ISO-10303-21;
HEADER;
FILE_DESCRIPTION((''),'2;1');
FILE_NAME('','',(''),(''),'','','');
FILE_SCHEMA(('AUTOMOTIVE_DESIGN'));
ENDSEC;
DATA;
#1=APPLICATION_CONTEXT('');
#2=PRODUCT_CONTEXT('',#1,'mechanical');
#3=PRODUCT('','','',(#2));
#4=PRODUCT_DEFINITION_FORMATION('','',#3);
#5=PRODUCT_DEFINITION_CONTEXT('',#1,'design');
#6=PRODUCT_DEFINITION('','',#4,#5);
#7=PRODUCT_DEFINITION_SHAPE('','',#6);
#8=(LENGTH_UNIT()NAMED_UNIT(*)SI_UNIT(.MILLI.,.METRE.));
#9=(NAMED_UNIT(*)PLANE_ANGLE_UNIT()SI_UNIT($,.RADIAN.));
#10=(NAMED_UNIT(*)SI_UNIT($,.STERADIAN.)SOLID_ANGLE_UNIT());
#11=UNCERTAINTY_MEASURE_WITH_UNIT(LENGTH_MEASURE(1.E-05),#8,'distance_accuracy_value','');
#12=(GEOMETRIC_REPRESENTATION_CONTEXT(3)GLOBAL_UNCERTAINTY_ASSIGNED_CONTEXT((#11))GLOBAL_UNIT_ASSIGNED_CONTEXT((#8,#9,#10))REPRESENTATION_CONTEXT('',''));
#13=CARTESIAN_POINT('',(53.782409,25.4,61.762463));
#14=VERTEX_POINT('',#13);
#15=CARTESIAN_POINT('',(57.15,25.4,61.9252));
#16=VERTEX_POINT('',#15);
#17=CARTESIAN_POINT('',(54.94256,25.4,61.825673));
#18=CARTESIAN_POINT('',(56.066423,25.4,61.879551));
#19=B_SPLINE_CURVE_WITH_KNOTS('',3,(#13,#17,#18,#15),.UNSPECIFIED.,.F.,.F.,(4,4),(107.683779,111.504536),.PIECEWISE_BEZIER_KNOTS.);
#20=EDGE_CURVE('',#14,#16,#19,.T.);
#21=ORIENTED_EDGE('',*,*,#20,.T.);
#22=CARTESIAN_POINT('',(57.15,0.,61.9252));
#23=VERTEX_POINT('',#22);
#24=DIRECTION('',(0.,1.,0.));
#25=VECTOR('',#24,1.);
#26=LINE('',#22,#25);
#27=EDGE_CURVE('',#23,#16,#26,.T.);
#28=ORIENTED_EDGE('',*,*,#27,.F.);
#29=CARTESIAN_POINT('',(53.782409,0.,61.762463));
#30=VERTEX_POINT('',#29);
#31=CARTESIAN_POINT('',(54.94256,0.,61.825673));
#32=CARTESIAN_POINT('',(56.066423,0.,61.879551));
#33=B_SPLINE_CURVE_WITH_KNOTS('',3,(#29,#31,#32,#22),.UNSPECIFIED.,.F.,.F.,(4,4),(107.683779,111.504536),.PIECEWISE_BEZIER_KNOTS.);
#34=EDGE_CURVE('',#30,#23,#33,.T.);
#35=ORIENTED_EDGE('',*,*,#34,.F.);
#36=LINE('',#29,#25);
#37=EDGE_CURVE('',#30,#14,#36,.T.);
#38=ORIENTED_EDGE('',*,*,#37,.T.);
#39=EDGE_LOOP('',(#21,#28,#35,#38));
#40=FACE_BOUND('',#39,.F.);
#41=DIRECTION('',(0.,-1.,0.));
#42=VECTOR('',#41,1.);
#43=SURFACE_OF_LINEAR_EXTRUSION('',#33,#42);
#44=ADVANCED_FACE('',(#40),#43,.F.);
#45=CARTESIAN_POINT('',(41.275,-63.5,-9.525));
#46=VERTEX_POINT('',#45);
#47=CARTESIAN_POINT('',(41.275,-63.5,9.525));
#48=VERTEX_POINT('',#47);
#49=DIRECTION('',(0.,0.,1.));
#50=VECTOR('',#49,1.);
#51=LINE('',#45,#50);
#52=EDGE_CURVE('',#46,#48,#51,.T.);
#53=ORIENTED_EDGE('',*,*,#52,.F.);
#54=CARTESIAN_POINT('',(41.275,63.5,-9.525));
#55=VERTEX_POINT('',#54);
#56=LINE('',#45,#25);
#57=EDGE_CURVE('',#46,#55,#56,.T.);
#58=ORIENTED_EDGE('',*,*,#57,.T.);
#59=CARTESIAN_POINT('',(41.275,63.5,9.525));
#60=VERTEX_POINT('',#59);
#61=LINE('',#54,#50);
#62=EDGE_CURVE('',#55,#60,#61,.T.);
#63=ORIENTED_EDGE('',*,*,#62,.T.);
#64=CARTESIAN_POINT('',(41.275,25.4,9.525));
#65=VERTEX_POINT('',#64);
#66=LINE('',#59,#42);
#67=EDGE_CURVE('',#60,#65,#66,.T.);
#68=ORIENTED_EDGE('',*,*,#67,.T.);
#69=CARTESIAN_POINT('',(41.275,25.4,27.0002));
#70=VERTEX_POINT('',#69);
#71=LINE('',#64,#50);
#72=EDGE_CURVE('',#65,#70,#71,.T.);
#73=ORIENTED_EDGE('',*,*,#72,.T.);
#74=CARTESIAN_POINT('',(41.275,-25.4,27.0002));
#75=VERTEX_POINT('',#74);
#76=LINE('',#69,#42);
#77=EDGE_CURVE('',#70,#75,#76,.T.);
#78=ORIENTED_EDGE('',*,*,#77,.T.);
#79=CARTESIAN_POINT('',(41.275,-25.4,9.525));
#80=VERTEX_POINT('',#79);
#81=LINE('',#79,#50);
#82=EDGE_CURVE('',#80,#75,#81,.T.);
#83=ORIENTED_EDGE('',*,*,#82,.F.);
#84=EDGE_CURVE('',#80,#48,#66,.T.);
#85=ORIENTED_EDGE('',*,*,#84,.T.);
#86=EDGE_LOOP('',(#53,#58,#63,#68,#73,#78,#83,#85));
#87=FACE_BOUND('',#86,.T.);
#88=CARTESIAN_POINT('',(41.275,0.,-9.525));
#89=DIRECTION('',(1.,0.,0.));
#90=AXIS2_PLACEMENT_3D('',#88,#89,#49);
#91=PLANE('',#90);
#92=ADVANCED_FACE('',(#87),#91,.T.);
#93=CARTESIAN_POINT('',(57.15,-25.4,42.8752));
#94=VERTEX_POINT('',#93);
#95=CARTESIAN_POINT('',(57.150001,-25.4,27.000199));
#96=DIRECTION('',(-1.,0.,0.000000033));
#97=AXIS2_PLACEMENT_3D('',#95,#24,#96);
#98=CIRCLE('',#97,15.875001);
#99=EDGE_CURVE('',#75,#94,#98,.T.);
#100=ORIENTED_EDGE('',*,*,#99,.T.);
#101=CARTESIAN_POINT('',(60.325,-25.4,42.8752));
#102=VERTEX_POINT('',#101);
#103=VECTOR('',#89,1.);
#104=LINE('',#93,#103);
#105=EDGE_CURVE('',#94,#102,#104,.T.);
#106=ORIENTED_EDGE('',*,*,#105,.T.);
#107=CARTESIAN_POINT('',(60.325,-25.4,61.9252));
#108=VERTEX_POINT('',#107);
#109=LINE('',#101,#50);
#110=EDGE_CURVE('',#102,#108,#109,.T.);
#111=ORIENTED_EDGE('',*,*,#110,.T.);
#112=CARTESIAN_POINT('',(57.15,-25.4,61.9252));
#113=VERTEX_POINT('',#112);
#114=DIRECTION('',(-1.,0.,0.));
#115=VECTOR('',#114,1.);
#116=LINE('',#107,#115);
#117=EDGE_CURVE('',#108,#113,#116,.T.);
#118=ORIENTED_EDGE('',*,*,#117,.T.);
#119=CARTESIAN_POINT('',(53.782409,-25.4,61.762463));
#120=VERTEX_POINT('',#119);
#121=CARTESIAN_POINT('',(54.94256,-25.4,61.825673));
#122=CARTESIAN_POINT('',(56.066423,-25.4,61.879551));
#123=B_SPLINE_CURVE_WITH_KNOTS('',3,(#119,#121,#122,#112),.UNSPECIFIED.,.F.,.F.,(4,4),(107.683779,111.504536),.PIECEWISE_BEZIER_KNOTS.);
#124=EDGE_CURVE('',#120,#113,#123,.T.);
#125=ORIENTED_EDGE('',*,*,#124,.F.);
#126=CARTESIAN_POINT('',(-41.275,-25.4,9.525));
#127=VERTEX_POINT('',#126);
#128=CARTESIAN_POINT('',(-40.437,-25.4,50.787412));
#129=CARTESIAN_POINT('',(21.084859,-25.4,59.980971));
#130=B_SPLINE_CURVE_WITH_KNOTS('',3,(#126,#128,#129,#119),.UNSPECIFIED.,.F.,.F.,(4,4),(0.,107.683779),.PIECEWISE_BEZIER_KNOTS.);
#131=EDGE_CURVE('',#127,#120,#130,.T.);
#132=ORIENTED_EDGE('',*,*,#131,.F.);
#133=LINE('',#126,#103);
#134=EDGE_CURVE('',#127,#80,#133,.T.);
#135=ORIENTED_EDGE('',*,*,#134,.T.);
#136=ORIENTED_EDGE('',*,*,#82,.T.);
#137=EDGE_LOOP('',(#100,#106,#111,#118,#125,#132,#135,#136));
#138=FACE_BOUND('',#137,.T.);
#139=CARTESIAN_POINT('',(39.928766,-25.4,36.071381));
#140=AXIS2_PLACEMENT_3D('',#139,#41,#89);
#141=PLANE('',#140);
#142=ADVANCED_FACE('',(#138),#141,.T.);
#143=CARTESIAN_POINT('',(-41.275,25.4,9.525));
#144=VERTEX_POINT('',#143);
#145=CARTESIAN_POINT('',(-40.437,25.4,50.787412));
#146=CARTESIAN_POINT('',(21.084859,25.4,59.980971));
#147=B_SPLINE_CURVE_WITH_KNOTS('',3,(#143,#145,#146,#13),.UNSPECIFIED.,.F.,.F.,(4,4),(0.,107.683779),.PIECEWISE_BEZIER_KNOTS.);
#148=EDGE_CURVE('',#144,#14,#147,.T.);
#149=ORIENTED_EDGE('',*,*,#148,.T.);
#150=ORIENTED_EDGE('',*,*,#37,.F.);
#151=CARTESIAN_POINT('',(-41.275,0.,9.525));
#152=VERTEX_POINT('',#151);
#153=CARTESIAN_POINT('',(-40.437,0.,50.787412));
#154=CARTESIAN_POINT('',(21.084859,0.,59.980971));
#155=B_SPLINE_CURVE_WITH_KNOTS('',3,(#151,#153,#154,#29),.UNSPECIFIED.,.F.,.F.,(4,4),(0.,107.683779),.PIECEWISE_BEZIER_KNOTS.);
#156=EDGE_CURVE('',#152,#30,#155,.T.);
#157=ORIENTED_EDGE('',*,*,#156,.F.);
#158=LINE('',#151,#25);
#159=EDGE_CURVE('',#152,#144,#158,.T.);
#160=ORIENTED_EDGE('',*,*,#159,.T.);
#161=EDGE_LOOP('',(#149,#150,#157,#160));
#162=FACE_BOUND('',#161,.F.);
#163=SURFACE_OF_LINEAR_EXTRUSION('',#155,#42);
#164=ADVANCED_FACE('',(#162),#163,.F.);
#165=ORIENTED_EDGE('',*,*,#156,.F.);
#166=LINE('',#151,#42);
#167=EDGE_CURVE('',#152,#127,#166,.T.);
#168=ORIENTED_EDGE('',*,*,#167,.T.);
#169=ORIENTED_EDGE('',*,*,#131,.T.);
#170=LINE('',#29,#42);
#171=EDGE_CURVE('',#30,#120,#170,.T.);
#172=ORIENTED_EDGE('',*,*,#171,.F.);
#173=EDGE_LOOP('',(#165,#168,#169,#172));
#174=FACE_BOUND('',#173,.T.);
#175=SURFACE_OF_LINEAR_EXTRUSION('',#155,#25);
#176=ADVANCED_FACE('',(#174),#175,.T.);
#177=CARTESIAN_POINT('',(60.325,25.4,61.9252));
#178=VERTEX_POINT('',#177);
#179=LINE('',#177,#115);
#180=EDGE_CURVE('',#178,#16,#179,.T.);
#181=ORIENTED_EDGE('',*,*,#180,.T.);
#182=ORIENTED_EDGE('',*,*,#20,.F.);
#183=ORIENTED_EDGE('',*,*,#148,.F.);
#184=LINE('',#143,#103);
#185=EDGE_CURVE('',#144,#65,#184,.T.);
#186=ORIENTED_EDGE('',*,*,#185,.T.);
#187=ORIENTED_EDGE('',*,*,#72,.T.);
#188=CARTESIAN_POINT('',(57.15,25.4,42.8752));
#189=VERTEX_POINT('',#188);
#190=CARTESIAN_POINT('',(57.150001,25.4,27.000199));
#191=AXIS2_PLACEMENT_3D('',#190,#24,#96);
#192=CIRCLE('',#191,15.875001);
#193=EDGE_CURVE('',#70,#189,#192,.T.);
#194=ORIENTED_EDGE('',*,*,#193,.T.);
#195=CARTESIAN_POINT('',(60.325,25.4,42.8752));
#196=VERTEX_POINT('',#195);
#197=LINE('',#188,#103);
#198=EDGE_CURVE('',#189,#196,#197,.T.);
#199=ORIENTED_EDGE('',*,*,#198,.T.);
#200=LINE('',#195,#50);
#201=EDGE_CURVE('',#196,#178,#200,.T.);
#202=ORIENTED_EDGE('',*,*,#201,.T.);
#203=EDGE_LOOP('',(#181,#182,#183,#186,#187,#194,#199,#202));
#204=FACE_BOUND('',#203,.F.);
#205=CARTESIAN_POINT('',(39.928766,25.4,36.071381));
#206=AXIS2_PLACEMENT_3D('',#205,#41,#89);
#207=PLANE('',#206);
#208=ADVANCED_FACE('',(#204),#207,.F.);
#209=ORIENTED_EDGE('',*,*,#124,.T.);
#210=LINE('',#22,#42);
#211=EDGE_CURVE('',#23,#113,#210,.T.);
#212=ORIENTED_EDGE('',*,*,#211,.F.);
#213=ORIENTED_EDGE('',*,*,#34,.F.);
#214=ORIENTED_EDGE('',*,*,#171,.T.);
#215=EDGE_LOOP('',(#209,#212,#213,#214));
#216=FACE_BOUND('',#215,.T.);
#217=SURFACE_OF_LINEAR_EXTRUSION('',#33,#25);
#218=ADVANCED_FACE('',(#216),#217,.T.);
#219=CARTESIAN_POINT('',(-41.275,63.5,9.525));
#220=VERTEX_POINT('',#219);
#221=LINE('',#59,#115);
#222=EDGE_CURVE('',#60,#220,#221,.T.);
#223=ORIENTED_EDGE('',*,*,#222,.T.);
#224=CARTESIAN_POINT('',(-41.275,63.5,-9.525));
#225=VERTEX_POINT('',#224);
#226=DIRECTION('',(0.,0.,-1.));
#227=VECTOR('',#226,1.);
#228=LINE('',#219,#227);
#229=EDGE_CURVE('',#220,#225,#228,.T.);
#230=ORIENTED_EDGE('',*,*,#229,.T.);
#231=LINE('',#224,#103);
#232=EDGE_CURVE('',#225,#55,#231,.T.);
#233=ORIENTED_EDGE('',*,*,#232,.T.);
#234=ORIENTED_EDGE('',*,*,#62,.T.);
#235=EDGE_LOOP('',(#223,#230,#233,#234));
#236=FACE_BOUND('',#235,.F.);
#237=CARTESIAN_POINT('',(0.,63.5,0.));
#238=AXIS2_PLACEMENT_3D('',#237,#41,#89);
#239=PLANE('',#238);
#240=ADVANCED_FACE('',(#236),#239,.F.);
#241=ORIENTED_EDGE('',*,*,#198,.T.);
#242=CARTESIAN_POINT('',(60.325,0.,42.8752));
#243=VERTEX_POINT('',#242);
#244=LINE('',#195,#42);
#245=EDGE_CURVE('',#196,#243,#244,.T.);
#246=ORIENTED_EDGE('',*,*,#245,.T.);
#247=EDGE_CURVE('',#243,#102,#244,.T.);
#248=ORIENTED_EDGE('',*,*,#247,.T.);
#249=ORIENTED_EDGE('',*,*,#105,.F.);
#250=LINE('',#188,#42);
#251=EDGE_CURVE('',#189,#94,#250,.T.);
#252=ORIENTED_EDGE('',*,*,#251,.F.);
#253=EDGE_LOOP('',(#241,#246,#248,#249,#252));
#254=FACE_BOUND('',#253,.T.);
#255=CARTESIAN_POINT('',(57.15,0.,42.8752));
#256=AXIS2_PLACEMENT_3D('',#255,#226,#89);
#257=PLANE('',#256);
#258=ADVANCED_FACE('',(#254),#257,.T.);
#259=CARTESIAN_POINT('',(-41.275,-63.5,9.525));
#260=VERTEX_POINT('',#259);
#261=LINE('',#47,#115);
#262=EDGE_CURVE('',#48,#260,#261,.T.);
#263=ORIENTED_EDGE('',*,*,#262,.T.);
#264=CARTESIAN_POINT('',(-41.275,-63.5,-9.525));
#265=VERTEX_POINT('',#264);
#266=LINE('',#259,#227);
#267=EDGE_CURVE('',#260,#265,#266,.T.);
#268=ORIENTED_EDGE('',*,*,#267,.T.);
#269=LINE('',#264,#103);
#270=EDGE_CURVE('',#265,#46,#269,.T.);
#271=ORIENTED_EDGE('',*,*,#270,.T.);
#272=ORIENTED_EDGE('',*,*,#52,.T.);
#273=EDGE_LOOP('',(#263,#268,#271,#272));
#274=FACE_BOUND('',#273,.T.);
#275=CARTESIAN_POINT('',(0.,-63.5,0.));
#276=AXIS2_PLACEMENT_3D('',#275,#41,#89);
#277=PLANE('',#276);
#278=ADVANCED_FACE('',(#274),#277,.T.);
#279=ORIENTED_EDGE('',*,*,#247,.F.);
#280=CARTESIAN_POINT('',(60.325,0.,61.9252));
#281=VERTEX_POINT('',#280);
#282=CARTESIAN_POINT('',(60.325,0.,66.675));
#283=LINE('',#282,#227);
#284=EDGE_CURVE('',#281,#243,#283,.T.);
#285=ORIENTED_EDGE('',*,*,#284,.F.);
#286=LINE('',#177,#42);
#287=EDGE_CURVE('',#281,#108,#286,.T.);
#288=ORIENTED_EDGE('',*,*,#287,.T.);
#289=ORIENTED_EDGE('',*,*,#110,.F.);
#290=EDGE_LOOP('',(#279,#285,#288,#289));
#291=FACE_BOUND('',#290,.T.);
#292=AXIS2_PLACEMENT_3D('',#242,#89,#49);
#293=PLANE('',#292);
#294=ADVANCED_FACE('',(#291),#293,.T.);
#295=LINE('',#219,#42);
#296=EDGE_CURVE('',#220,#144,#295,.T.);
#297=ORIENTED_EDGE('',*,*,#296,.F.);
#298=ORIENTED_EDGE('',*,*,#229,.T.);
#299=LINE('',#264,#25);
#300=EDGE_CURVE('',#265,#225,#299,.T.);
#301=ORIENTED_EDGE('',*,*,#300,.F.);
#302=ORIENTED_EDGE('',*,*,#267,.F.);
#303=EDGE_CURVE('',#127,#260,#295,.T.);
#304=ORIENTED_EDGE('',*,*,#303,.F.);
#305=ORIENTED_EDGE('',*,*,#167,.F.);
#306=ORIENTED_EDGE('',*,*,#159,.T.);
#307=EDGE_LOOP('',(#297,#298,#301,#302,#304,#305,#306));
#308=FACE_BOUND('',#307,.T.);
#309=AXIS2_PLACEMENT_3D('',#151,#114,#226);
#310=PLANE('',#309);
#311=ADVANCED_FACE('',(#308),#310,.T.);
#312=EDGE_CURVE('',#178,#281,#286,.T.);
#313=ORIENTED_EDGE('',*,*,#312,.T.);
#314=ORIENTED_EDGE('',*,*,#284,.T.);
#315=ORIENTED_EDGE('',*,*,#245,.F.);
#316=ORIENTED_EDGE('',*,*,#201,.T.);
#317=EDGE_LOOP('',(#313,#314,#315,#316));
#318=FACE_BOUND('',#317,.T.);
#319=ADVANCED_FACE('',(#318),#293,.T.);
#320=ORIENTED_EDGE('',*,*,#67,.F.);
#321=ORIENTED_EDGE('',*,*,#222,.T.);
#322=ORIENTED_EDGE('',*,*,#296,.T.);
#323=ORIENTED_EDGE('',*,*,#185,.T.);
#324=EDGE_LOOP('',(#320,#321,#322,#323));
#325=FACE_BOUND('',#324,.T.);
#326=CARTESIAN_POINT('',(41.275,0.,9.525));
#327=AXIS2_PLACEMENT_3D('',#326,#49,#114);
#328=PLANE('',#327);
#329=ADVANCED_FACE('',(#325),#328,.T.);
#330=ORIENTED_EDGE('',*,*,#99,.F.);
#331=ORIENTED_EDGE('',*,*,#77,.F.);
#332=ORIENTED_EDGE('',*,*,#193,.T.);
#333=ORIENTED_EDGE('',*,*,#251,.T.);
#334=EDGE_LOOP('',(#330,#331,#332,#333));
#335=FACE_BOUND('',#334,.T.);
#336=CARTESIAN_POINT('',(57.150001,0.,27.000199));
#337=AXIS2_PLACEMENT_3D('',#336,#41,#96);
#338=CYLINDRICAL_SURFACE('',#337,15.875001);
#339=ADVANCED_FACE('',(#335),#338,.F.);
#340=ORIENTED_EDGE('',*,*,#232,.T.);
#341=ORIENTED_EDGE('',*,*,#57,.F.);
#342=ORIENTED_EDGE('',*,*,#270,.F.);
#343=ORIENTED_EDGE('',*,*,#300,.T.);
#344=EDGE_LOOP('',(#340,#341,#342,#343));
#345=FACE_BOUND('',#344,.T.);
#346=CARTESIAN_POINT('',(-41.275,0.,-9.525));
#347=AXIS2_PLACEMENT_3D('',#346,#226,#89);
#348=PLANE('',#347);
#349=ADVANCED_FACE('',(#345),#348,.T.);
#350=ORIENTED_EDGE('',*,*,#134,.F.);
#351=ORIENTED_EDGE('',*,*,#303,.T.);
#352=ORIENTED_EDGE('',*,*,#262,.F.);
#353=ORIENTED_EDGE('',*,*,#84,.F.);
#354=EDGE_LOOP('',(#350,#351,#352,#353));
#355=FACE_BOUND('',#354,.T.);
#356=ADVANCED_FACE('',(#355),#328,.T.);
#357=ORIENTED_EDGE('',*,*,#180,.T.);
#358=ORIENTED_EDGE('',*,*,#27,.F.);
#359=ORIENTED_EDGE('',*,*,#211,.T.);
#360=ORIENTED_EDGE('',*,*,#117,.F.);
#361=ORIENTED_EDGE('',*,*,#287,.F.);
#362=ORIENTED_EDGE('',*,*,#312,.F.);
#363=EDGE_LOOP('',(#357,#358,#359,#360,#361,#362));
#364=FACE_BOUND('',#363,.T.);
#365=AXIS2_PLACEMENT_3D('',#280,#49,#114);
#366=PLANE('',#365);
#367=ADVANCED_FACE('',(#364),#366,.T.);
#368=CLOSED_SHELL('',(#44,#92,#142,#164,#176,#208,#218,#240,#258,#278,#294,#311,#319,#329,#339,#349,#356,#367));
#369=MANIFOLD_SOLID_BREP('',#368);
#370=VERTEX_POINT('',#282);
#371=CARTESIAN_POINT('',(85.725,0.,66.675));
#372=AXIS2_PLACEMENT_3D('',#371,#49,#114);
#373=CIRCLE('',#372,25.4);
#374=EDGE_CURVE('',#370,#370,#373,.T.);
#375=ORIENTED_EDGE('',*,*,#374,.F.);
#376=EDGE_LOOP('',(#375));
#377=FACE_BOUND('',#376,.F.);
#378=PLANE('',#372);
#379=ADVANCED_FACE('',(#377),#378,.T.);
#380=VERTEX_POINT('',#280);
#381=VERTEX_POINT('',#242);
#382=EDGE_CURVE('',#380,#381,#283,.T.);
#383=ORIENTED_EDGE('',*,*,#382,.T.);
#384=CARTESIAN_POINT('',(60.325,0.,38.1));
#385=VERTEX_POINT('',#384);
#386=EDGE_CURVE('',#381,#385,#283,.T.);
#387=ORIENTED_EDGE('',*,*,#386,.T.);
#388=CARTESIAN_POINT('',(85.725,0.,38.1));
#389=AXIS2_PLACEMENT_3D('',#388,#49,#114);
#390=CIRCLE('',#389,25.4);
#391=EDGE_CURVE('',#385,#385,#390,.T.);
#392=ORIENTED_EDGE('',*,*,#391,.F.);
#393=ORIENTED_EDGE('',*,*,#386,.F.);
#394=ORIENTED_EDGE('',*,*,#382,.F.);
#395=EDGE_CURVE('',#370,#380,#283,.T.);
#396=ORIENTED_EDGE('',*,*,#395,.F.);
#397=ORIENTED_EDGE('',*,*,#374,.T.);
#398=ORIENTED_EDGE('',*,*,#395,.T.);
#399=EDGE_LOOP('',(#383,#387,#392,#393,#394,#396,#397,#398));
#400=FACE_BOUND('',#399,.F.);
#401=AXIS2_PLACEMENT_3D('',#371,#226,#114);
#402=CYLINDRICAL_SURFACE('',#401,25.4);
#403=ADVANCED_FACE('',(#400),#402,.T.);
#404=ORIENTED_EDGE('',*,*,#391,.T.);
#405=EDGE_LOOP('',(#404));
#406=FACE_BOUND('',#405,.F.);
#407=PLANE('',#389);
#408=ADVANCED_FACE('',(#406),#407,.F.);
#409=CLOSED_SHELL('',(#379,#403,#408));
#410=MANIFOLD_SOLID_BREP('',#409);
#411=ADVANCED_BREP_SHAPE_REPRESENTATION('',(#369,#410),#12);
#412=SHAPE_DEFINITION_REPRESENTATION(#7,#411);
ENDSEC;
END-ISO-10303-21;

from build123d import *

# Parameters (mm, degrees)
F1_DEPTH = 63.5
F2_DEPTH = 25.4


with BuildPart() as f1:
    # F0 (on Front) → F1 (new body, symmetric)
    with BuildSketch(Plane.XZ):
        Polygon((41.275, -9.525), (41.275, 9.525), (22.225, 9.525), (-41.275, 9.525), (-41.275, -9.525), align=None)
    extrude(amount=F1_DEPTH, both=True)

    # F0 (on Front) → F2 (join, symmetric)
    with BuildSketch(Plane.XZ):
        with BuildLine():
            Line((22.225, 9.525), (41.275, 9.525))
            Line((41.275, 9.525), (41.275, 27.0002))
            ThreePointArc((41.275, 27.0002), (45.92468, 38.22552), (57.15, 42.8752))
            Line((57.15, 42.8752), (60.325, 42.8752))
            Line((60.325, 42.8752), (60.325, 61.9252))
            Line((60.325, 61.9252), (57.15, 61.9252))
            add(Edge.make_bspline(
                [(53.782409, 61.762463), (54.94256, 61.825673), (56.066423, 61.879551), (57.15, 61.9252)],
                knots=[107.683779, 107.683779, 107.683779, 107.683779, 111.504536, 111.504536, 111.504536, 111.504536], degree=3))
            ThreePointArc((53.782409, 61.762463), (31.291068, 50.475107), (22.225, 27.0002))
            Line((22.225, 27.0002), (22.225, 9.525))
        make_face()
        with BuildLine():
            Line((-41.275, 9.525), (22.225, 9.525))
            Line((22.225, 9.525), (22.225, 27.0002))
            ThreePointArc((22.225, 27.0002), (31.291068, 50.475107), (53.782409, 61.762463))
            add(Edge.make_bspline(
                [(-41.275, 9.525), (-40.437, 50.787412), (21.084859, 59.980971), (53.782409, 61.762463)],
                knots=[0, 0, 0, 0, 107.683779, 107.683779, 107.683779, 107.683779], degree=3))
        make_face()
    extrude(amount=F2_DEPTH, both=True)

    # F0 (on Front) → F3 (revolve)
    with BuildSketch(Plane.XZ):
        Polygon((60.325, 61.9252), (60.325, 42.8752), (60.325, 38.1), (85.725, 38.1), (85.725, 66.675), (60.325, 66.675), align=None)
    revolve(axis=Axis((85.725, 0, 52.3875), (0, 0, 1)))


solid = f1.part
